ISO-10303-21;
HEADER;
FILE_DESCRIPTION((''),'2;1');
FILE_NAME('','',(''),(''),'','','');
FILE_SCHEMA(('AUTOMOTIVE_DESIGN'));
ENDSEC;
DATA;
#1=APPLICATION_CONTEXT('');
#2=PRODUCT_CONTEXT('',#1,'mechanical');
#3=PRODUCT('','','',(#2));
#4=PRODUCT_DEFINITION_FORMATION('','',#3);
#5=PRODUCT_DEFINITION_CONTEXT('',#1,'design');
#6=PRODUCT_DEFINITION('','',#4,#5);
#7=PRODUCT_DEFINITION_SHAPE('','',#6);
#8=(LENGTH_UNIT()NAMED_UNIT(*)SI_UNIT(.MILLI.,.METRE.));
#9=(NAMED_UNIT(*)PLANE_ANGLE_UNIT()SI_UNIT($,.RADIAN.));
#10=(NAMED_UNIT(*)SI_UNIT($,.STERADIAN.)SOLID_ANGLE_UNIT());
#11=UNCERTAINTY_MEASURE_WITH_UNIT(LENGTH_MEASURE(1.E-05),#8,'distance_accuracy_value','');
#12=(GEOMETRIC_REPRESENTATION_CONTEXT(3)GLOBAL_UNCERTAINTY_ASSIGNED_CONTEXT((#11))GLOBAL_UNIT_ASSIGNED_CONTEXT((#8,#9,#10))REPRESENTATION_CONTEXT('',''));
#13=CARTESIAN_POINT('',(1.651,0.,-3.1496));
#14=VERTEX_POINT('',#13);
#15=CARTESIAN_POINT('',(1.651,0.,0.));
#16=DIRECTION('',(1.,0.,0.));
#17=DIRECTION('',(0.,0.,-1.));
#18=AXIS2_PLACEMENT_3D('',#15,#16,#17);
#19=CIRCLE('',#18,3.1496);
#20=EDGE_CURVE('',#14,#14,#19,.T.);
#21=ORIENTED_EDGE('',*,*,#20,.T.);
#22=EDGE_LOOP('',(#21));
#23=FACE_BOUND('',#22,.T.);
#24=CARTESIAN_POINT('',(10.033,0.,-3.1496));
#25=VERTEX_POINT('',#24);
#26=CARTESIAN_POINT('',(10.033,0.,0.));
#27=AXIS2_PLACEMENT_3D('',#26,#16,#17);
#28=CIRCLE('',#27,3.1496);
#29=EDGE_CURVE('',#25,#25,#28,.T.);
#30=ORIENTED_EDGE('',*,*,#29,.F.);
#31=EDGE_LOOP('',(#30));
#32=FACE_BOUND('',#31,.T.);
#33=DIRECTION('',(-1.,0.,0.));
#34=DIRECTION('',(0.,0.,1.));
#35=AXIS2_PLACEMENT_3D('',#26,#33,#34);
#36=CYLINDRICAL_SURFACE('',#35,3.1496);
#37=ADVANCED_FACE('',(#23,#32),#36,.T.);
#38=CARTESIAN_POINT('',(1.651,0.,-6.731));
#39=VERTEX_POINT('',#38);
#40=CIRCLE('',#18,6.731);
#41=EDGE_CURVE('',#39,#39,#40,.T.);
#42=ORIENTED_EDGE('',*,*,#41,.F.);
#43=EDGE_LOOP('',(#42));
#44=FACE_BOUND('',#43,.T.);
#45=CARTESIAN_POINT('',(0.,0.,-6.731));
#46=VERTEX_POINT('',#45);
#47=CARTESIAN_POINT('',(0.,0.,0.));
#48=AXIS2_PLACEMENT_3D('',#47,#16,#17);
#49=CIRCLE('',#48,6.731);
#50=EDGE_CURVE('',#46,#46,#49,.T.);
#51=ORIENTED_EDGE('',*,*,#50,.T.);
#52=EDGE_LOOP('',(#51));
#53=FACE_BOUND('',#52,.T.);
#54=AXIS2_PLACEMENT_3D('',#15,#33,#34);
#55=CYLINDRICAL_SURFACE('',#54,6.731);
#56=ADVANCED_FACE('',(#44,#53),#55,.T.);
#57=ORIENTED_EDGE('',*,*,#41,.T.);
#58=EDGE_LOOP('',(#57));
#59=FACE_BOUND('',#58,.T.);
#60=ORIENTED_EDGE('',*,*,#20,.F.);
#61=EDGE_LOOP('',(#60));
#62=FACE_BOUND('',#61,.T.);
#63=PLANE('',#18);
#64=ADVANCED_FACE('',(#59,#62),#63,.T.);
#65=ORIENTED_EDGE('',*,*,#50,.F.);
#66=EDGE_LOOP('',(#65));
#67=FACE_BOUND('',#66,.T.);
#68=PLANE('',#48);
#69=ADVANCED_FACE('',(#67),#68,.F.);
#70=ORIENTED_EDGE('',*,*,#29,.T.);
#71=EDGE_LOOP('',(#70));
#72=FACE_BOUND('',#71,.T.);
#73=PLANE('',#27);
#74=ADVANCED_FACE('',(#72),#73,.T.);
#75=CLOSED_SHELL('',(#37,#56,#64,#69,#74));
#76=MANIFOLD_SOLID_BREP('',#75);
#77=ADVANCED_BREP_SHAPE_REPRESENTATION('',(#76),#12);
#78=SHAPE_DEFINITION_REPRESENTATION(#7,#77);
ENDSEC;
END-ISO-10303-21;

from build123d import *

# Parameters (mm, degrees)
SKETCH1_R           = 6.731
BOSS_EXTRUDE1_DEPTH = 1.651
SKETCH2_R           = 3.1496
BOSS_EXTRUDE2_DEPTH = 8.382


with BuildPart() as part:
    # Sketch1 → Boss-Extrude1 (new body)
    with BuildSketch(Plane(origin=(0, 0, 0), x_dir=(0, 0, -1), z_dir=(1, 0, 0))):
        Circle(SKETCH1_R)
    extrude(amount=BOSS_EXTRUDE1_DEPTH)

    # Sketch2 → Boss-Extrude2 (add)
    with BuildSketch(Plane(origin=(1.651, 0, 0), x_dir=(0, 0, -1), z_dir=(1, 0, 0))):
        Circle(SKETCH2_R)
    extrude(amount=BOSS_EXTRUDE2_DEPTH)


solid = part.part
